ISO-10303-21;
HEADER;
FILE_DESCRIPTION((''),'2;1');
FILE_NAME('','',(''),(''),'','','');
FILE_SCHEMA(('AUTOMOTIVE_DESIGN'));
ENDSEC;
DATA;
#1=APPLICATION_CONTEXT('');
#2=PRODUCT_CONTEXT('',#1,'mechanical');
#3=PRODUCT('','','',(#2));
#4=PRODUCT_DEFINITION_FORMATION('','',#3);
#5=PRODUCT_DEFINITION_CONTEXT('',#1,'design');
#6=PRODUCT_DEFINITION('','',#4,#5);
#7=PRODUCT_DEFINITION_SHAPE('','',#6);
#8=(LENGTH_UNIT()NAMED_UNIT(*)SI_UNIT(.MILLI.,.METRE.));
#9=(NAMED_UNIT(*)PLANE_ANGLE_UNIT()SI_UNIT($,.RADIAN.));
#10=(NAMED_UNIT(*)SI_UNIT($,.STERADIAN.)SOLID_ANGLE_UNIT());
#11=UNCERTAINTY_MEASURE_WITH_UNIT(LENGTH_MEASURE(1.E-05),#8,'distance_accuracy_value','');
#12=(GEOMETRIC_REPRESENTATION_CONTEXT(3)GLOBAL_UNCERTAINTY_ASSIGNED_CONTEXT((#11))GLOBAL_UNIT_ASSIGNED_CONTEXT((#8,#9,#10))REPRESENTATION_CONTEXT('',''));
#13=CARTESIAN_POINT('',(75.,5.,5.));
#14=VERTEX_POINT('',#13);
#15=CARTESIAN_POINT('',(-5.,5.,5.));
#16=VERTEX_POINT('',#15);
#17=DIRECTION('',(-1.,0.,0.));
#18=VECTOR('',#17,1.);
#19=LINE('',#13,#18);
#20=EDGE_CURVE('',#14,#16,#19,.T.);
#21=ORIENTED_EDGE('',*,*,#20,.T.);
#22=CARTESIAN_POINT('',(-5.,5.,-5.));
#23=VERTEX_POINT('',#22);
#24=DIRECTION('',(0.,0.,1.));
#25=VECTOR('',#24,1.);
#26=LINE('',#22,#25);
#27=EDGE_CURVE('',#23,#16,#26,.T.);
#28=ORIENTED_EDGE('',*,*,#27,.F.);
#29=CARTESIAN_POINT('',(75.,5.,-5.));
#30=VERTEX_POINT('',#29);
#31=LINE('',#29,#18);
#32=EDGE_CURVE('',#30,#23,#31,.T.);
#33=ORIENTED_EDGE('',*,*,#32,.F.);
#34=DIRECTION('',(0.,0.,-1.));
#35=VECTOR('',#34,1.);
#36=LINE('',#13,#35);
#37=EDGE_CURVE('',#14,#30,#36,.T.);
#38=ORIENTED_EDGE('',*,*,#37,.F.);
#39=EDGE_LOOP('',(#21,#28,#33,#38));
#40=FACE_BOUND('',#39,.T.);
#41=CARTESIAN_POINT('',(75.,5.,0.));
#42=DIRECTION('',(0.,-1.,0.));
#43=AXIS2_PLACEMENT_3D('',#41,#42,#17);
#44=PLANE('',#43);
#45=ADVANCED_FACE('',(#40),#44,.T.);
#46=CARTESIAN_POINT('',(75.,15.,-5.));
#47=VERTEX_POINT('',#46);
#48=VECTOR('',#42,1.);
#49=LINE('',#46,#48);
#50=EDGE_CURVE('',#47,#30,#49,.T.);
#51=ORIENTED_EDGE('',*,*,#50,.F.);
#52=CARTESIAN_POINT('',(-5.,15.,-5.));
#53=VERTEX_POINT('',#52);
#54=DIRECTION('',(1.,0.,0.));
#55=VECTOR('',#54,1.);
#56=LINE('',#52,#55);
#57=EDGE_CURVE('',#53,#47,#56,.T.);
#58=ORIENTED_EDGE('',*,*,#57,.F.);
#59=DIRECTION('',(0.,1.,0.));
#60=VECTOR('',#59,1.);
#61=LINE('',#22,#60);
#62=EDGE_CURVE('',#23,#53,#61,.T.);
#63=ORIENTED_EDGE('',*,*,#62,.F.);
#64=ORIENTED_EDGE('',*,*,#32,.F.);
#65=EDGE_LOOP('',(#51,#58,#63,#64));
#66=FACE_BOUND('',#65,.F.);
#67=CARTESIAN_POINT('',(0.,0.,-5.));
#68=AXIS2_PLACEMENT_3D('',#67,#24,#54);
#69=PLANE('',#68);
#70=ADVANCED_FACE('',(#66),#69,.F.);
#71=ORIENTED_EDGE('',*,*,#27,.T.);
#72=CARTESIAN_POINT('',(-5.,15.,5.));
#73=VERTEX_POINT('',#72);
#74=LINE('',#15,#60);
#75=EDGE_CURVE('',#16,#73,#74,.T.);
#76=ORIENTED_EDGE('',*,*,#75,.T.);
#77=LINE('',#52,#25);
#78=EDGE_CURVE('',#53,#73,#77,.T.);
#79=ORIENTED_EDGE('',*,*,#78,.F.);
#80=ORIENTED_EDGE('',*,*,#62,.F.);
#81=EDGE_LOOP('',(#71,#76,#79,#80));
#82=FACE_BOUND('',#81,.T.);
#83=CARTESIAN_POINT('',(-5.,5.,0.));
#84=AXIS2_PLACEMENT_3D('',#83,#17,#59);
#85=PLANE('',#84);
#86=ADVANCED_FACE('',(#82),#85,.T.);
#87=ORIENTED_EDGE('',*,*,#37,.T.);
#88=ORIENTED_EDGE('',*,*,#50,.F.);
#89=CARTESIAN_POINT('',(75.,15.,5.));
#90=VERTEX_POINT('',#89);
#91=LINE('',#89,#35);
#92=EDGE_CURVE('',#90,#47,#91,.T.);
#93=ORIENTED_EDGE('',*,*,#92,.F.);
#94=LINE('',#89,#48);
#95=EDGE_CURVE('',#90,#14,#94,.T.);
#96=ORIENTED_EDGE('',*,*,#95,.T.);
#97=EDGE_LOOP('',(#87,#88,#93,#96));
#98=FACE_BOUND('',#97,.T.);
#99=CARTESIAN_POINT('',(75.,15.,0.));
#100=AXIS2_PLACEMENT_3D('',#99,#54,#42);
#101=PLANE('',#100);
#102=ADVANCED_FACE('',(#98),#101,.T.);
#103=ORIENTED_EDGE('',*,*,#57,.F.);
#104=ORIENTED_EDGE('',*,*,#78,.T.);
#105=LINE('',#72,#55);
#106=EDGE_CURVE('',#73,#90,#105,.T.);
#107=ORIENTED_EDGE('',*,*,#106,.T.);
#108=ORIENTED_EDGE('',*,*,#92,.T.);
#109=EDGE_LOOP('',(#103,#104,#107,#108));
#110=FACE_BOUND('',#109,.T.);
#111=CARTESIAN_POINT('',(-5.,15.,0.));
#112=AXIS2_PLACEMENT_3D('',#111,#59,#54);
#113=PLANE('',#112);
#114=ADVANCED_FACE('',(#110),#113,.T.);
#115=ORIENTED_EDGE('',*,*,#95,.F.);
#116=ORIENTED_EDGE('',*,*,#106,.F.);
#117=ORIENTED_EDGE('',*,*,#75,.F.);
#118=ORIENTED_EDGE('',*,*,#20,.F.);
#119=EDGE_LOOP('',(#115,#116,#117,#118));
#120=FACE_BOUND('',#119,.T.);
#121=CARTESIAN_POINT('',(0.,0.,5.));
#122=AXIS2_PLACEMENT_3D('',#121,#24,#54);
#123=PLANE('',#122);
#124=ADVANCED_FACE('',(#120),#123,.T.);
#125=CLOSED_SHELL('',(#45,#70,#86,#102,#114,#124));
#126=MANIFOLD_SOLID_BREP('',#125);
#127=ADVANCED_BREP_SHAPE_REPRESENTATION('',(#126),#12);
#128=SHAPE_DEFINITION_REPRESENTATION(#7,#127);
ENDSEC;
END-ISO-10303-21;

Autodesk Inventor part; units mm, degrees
ref_plane "YZ Plane" through (0, 0, 0) normal (1, 0, 0) x (0, 1, 0)
ref_plane "XZ Plane" through (0, 0, 0) normal (0, 1, 0) x (-1, 0, 0)
ref_plane "XY Plane" through (0, 0, 0) normal (0, 0, 1) x (1, 0, 0)
sketch "Sketch1" plane through (0, 0, 0) normal (0, 0, 1) x (1, 0, 0)
  line L0 (-5, 15) -> (75, 15)
  line L1 (75, 15) -> (75, 5)
  line L2 (75, 5) -> (-5, 5)
  line L3 (-5, 5) -> (-5, 15)
  point P0 (0, 0)
  dimension "d0" = 80
  dimension "d1" = 10
  dimension "d4" = 75
  dimension "d5" = 15
extrude "Extrusion1" add sketch "Sketch1" along normal mid plane 10
properties part number "motor casing support" material "Steel"
